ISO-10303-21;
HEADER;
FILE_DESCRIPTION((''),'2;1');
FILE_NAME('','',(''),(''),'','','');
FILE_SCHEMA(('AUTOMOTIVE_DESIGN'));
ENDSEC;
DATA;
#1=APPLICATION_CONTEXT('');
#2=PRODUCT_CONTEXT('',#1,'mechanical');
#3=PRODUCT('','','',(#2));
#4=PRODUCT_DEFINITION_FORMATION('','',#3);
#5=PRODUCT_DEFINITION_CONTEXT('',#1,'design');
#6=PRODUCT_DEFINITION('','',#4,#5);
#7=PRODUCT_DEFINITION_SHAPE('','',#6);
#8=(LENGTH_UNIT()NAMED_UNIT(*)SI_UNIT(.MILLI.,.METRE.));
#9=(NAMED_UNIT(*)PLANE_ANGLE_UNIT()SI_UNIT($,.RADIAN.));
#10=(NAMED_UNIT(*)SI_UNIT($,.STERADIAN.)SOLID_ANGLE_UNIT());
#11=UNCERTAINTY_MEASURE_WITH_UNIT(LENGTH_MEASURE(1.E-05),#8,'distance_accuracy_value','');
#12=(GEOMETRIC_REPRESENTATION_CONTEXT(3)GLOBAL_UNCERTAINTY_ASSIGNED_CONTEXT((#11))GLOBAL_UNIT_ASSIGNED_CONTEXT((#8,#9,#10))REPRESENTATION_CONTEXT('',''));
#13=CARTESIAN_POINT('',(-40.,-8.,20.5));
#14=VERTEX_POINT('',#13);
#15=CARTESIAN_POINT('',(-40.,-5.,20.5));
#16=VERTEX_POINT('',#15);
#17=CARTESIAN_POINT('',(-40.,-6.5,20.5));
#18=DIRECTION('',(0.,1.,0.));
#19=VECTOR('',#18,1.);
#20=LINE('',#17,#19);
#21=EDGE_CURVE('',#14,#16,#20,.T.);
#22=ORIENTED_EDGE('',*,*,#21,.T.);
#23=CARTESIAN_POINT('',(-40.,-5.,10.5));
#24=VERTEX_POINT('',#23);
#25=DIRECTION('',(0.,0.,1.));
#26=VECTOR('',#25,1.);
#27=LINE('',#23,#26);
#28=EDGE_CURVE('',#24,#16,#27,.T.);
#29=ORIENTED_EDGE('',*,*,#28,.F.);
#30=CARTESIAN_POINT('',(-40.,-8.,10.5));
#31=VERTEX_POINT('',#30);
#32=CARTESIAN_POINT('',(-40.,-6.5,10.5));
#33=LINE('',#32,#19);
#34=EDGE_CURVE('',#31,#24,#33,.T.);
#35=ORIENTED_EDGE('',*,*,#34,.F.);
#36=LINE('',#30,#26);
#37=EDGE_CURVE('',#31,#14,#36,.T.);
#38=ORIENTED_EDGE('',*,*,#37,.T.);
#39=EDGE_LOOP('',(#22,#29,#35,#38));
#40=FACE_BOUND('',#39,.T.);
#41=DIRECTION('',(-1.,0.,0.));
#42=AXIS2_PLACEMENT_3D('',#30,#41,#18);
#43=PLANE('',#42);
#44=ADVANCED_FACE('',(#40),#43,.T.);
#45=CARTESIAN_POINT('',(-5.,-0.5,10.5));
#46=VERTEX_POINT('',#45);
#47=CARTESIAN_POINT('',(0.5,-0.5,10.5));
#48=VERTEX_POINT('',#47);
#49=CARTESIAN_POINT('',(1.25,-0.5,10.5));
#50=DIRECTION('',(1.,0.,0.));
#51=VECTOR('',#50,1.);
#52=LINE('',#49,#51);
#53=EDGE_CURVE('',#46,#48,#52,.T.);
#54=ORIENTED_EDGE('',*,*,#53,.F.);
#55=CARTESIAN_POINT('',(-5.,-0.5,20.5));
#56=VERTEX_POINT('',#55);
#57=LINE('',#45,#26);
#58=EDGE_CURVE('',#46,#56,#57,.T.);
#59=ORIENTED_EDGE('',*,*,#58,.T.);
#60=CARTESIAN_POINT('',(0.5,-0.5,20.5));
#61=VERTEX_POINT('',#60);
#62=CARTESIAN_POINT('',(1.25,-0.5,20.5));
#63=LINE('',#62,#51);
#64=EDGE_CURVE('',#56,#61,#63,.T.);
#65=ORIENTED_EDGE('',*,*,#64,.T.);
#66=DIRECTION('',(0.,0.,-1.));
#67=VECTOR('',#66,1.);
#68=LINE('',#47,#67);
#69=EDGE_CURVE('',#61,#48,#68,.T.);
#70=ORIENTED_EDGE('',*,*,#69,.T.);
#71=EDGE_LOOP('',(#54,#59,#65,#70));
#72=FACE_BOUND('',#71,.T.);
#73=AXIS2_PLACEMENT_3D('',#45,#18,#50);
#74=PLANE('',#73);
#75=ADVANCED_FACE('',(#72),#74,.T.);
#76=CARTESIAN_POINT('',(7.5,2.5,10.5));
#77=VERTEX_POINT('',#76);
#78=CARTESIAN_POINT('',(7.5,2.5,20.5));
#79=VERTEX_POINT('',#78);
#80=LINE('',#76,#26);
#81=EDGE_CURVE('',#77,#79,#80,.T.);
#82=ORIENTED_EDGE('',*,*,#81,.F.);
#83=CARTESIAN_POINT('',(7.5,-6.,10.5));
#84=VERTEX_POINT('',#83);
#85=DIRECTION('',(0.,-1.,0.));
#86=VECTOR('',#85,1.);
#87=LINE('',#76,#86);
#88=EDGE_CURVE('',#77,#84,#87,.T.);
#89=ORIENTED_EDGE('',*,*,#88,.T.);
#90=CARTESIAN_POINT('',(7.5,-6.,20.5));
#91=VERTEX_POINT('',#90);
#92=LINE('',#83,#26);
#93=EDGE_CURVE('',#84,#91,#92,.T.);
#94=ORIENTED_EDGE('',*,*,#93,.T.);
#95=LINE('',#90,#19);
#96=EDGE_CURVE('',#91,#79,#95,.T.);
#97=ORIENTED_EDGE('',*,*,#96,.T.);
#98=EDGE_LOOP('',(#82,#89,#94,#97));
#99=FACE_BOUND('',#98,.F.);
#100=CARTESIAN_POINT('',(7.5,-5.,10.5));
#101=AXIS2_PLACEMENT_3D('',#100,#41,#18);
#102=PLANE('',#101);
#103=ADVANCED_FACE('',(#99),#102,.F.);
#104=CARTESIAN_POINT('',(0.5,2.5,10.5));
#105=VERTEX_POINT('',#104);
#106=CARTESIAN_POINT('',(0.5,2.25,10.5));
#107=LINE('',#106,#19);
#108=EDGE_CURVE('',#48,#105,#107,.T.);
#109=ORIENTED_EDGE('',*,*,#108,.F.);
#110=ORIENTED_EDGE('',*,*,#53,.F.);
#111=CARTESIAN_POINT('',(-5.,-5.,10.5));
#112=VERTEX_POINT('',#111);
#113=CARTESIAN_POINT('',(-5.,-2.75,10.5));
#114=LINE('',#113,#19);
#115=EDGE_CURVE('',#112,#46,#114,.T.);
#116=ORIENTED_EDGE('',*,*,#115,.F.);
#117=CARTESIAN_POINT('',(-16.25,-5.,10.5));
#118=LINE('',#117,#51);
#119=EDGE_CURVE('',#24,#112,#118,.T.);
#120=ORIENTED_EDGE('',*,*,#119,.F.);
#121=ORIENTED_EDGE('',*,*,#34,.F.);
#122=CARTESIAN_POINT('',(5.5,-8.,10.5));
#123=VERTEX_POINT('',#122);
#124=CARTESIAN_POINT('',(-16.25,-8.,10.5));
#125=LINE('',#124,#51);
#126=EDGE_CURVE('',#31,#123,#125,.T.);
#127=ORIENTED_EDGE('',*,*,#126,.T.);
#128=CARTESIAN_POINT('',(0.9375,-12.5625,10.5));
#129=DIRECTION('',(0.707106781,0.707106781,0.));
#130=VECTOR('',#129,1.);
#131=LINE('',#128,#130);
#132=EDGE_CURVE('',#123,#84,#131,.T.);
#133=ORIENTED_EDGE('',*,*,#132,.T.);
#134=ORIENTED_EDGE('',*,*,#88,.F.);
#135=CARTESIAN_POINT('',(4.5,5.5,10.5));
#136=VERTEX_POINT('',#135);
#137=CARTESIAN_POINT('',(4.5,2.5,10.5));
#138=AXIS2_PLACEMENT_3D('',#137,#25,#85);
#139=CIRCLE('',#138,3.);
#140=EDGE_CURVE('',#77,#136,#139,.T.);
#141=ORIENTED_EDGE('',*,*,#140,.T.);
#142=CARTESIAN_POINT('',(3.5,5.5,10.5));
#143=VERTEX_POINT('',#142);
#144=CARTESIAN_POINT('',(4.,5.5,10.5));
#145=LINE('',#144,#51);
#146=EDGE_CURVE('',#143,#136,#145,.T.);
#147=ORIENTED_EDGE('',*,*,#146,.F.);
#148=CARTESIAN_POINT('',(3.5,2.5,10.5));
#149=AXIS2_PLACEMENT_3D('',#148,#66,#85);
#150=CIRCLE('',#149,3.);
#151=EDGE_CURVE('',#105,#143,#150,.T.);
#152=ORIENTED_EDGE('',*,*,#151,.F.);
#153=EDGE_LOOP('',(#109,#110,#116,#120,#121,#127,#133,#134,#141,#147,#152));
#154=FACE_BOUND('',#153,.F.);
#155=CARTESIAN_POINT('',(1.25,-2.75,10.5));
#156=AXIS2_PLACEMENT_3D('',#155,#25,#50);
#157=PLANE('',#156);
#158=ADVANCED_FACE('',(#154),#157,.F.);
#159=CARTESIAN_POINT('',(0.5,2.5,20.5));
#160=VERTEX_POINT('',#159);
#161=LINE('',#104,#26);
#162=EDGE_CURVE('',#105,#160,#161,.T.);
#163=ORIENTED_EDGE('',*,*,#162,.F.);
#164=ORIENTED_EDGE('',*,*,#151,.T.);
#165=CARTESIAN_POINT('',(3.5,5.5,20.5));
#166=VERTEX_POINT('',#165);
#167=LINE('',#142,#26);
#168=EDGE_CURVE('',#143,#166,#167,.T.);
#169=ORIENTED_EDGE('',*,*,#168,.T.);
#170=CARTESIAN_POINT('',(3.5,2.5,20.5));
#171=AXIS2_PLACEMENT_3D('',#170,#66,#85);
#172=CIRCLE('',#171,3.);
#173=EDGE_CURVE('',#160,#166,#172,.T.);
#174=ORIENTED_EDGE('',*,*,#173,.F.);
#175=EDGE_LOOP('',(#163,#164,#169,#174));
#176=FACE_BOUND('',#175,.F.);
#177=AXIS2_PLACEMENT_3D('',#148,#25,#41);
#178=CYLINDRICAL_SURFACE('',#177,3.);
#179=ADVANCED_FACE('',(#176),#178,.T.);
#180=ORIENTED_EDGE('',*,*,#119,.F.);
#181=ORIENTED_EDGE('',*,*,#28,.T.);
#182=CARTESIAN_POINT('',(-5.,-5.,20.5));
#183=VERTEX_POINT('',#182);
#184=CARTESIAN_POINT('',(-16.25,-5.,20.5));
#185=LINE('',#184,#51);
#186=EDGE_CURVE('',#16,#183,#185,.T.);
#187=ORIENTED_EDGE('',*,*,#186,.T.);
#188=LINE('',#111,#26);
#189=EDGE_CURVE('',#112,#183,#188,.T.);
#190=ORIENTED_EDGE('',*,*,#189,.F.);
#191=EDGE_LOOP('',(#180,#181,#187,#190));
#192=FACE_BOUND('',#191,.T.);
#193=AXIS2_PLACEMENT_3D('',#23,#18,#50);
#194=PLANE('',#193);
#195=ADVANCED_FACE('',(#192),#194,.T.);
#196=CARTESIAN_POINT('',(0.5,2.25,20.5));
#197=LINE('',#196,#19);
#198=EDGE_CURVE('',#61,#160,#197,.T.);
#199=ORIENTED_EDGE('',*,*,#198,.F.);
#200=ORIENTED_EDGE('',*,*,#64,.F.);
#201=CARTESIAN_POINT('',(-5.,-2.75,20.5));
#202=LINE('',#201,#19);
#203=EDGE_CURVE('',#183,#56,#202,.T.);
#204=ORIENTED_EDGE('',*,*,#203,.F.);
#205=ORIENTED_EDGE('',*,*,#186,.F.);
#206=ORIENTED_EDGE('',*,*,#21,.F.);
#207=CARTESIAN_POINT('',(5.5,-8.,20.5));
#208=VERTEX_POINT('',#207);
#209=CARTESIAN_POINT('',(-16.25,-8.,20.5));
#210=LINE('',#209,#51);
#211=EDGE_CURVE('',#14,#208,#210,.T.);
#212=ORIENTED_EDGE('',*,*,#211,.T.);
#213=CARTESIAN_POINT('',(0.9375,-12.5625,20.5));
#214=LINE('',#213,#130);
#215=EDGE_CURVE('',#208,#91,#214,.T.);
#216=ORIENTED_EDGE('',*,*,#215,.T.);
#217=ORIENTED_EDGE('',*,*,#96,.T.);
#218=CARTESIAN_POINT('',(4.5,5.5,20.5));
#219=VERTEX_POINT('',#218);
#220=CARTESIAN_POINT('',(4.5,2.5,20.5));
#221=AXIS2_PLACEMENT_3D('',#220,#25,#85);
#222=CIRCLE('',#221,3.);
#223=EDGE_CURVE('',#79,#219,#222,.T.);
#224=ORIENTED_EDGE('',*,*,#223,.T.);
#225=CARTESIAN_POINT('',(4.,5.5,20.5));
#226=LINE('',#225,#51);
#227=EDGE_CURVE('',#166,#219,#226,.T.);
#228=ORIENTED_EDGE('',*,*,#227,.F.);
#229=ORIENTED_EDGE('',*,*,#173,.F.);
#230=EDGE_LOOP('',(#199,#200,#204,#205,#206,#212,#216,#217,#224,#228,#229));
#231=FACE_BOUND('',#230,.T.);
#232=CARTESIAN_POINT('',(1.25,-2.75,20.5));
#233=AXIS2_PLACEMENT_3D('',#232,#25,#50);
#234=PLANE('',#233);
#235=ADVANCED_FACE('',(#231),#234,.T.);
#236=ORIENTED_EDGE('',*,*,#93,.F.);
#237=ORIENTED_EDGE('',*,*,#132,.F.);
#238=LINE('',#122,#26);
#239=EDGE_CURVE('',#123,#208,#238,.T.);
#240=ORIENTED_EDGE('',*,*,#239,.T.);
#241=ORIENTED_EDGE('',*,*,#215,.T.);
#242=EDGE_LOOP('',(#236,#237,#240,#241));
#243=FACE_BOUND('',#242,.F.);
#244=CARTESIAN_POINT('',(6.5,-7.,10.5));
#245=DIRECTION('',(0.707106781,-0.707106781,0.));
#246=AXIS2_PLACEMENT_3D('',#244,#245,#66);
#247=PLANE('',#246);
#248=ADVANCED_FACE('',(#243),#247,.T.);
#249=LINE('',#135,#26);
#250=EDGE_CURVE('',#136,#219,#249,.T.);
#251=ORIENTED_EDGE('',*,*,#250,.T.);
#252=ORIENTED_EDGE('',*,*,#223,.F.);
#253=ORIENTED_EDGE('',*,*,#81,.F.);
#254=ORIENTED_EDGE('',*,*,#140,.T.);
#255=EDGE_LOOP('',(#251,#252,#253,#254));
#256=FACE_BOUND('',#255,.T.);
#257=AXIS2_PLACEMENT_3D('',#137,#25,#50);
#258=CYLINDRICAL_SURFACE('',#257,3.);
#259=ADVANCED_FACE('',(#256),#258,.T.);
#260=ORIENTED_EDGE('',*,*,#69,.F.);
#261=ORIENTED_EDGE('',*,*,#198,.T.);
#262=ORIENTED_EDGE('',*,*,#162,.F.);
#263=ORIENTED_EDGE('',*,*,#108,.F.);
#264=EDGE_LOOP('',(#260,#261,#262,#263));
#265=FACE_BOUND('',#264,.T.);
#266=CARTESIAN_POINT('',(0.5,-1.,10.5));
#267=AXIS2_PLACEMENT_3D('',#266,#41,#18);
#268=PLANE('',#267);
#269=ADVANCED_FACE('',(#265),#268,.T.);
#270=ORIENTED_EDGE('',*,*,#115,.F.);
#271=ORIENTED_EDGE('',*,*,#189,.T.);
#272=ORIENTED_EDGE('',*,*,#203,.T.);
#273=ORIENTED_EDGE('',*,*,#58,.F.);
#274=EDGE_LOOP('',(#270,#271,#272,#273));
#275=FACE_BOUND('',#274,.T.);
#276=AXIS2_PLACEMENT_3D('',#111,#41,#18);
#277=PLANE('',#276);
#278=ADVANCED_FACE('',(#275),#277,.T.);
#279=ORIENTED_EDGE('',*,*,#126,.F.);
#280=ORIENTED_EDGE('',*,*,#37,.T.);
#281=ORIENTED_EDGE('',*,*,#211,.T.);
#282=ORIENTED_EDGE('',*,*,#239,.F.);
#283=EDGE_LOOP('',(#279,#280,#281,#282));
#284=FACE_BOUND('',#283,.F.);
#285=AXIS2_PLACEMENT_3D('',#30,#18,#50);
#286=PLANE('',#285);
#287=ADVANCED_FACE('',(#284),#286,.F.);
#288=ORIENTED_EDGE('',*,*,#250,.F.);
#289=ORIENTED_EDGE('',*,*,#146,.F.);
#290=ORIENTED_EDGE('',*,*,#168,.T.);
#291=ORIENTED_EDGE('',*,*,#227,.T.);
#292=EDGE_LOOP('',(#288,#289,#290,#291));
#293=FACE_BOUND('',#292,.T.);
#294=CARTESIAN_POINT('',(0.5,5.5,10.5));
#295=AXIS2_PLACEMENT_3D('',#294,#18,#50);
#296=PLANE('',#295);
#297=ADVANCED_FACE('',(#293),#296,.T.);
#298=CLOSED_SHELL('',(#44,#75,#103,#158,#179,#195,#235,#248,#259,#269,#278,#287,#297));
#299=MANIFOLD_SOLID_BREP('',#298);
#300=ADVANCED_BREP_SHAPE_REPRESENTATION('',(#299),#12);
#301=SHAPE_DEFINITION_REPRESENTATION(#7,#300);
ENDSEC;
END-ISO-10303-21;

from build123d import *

# Parameters (mm, degrees)
BOX004_W     = 7
BOX004_H     = 6.5
BOX004_DEPTH = 10
FILLET_R     = 3
BOX002_W     = 12.5
BOX002_H     = 4.5
BOX002_DEPTH = 10
BOX001_W     = 47.5
BOX001_H     = 3
BOX001_DEPTH = 10
CHAMFER_SIZE = 2


with BuildPart() as fillet_body:
    # Box004 → Box004 (new body)
    with BuildSketch(Plane(origin=(0.5, -1, 0), x_dir=(1, 0, 0), z_dir=(0, 0, 1))):
        with Locations((3.5, 3.25)):
            Rectangle(BOX004_W, BOX004_H)
    extrude(amount=BOX004_DEPTH)

    # Fillet
    fillet_edges = [fillet_body.edges().sort_by_distance(p)[0] for p in [
        (0.5, 5.5, 5),
        (7.5, 5.5, 5),
    ]]
    fillet(fillet_edges, radius=FILLET_R)


with BuildPart() as cube002:
    # Box002 → Box002 (new body)
    with BuildSketch(Plane(origin=(-5, -5, 0), x_dir=(1, 0, 0), z_dir=(0, 0, 1))):
        with Locations((6.25, 2.25)):
            Rectangle(BOX002_W, BOX002_H)
    extrude(amount=BOX002_DEPTH)


with BuildPart() as arm_org:
    # Box001 → Box001 (new body)
    with BuildSketch(Plane(origin=(-40, -8, 0), x_dir=(1, 0, 0), z_dir=(0, 0, 1))):
        with Locations((23.75, 1.5)):
            Rectangle(BOX001_W, BOX001_H)
    extrude(amount=BOX001_DEPTH)

    # Chamfer
    chamfer_edges = [arm_org.edges().sort_by_distance(p)[0] for p in [
        (7.5, -8, 5),
    ]]
    chamfer(chamfer_edges, length=CHAMFER_SIZE)

    # Fusion: union Fillet body, Cube002
    add(fillet_body.part)
    add(cube002.part)


with BuildPart() as arm_org_1:
    # Fusion placement: moved
    add(arm_org.part.moved(Location((0, 0, 10.5))))


solid = arm_org_1.part
